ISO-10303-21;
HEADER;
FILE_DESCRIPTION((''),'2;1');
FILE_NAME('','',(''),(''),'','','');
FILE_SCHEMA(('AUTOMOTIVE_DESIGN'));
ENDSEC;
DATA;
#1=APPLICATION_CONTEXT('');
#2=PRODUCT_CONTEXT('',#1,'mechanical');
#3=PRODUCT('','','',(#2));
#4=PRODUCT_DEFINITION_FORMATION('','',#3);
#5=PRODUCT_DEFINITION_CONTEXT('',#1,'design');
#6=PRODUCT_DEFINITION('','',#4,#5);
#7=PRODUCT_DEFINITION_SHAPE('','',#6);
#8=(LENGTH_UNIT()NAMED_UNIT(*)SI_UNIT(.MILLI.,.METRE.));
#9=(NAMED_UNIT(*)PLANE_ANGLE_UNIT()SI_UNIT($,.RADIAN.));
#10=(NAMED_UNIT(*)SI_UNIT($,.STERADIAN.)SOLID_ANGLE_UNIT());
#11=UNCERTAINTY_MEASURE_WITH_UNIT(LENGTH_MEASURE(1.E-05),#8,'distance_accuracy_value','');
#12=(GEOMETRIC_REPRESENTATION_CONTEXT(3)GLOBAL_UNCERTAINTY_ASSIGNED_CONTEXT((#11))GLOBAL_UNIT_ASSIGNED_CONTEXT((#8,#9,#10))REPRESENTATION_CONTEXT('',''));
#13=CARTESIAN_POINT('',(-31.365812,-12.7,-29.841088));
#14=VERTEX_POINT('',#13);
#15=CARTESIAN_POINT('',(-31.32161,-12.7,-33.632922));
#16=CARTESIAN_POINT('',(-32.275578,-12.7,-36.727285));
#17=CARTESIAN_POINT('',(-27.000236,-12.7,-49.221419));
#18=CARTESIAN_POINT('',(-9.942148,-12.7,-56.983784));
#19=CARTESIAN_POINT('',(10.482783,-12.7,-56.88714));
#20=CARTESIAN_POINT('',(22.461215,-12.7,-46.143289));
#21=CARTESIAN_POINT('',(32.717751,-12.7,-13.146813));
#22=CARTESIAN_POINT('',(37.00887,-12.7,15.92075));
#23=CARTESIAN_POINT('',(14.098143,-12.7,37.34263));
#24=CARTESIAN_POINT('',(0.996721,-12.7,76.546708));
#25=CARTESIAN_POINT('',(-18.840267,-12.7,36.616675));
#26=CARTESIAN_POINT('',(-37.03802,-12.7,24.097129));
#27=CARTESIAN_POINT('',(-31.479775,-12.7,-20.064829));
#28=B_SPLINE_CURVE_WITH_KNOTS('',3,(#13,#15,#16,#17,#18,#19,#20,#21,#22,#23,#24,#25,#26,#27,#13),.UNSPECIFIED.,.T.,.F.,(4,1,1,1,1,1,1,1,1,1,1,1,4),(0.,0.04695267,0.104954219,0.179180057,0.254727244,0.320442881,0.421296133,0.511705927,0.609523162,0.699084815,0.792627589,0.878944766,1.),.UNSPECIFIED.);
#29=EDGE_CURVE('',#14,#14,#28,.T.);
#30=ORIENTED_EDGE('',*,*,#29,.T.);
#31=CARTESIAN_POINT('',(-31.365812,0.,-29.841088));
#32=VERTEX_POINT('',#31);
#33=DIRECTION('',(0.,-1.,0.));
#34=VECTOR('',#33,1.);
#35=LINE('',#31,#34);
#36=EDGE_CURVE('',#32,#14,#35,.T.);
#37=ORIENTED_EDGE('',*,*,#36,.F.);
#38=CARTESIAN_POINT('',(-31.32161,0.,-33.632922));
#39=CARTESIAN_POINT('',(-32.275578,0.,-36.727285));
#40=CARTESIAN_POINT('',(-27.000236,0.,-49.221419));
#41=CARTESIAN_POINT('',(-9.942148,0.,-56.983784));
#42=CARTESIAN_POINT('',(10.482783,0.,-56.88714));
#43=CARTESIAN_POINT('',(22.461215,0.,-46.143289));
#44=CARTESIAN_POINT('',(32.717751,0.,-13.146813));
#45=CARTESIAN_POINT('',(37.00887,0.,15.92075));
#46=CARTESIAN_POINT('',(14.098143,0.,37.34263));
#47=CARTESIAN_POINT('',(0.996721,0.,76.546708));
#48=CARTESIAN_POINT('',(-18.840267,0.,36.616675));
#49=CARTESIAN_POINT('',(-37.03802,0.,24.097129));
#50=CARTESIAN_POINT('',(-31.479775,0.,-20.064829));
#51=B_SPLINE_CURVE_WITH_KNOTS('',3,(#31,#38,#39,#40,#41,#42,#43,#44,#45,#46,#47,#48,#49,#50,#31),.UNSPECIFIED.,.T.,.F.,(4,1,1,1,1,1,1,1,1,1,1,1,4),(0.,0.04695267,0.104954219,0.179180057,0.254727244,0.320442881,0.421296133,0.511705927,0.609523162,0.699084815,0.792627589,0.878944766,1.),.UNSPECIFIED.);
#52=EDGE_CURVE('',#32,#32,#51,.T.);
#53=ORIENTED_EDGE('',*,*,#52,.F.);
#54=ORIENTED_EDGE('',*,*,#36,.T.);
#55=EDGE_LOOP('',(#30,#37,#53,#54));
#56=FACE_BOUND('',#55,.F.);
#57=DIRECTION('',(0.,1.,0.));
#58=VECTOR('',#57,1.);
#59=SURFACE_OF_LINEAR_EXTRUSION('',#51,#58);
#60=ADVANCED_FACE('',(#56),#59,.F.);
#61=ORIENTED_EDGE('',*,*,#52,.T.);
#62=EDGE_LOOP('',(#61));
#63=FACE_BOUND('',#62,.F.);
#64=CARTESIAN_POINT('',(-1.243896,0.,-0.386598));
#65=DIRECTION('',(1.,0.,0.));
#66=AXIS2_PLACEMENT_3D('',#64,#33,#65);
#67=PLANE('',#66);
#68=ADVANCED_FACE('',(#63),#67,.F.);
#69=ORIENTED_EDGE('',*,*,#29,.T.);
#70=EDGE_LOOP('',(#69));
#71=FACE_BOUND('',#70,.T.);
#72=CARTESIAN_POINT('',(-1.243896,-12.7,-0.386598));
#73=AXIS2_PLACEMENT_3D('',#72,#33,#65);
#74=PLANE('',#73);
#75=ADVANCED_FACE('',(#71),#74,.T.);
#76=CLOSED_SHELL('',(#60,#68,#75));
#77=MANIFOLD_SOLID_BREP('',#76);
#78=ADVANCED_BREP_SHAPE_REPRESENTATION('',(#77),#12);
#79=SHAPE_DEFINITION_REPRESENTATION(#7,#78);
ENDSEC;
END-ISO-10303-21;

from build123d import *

# Parameters (mm, degrees)
F1_DEPTH = 12.7


with BuildPart() as f1:
    # F0 (on Front) → F1 (new body)
    with BuildSketch(Plane.XZ):
        with BuildLine():
            add(Edge.make_bspline(
                [(-31.3658118248, -29.8410877585), (-31.3216097842, -33.6329223996), (-32.2755779974, -36.7272849326), (-27.0002357328, -49.2214188603), (-9.9421478131, -56.9837838385), (10.4827834138, -56.8871396625), (22.4612146816, -46.1432888203), (32.7177514333, -13.1468125539), (37.0088704929, 15.920750062), (14.0981431884, 37.3426303198), (0.9967213037, 76.5467081379), (-18.8402669251, 36.6166745029), (-37.0380197449, 24.0971287449), (-31.4797752773, -20.0648294371), (-31.3658118248, -29.8410877585)],
                knots=[0, 0, 0, 0, 0.04695267, 0.1049542194, 0.1791800571, 0.2547272439, 0.320442881, 0.4212961329, 0.5117059269, 0.6095231616, 0.6990848153, 0.7926275887, 0.8789447658, 1, 1, 1, 1], degree=3))
        make_face()
    extrude(amount=F1_DEPTH)


solid = f1.part
